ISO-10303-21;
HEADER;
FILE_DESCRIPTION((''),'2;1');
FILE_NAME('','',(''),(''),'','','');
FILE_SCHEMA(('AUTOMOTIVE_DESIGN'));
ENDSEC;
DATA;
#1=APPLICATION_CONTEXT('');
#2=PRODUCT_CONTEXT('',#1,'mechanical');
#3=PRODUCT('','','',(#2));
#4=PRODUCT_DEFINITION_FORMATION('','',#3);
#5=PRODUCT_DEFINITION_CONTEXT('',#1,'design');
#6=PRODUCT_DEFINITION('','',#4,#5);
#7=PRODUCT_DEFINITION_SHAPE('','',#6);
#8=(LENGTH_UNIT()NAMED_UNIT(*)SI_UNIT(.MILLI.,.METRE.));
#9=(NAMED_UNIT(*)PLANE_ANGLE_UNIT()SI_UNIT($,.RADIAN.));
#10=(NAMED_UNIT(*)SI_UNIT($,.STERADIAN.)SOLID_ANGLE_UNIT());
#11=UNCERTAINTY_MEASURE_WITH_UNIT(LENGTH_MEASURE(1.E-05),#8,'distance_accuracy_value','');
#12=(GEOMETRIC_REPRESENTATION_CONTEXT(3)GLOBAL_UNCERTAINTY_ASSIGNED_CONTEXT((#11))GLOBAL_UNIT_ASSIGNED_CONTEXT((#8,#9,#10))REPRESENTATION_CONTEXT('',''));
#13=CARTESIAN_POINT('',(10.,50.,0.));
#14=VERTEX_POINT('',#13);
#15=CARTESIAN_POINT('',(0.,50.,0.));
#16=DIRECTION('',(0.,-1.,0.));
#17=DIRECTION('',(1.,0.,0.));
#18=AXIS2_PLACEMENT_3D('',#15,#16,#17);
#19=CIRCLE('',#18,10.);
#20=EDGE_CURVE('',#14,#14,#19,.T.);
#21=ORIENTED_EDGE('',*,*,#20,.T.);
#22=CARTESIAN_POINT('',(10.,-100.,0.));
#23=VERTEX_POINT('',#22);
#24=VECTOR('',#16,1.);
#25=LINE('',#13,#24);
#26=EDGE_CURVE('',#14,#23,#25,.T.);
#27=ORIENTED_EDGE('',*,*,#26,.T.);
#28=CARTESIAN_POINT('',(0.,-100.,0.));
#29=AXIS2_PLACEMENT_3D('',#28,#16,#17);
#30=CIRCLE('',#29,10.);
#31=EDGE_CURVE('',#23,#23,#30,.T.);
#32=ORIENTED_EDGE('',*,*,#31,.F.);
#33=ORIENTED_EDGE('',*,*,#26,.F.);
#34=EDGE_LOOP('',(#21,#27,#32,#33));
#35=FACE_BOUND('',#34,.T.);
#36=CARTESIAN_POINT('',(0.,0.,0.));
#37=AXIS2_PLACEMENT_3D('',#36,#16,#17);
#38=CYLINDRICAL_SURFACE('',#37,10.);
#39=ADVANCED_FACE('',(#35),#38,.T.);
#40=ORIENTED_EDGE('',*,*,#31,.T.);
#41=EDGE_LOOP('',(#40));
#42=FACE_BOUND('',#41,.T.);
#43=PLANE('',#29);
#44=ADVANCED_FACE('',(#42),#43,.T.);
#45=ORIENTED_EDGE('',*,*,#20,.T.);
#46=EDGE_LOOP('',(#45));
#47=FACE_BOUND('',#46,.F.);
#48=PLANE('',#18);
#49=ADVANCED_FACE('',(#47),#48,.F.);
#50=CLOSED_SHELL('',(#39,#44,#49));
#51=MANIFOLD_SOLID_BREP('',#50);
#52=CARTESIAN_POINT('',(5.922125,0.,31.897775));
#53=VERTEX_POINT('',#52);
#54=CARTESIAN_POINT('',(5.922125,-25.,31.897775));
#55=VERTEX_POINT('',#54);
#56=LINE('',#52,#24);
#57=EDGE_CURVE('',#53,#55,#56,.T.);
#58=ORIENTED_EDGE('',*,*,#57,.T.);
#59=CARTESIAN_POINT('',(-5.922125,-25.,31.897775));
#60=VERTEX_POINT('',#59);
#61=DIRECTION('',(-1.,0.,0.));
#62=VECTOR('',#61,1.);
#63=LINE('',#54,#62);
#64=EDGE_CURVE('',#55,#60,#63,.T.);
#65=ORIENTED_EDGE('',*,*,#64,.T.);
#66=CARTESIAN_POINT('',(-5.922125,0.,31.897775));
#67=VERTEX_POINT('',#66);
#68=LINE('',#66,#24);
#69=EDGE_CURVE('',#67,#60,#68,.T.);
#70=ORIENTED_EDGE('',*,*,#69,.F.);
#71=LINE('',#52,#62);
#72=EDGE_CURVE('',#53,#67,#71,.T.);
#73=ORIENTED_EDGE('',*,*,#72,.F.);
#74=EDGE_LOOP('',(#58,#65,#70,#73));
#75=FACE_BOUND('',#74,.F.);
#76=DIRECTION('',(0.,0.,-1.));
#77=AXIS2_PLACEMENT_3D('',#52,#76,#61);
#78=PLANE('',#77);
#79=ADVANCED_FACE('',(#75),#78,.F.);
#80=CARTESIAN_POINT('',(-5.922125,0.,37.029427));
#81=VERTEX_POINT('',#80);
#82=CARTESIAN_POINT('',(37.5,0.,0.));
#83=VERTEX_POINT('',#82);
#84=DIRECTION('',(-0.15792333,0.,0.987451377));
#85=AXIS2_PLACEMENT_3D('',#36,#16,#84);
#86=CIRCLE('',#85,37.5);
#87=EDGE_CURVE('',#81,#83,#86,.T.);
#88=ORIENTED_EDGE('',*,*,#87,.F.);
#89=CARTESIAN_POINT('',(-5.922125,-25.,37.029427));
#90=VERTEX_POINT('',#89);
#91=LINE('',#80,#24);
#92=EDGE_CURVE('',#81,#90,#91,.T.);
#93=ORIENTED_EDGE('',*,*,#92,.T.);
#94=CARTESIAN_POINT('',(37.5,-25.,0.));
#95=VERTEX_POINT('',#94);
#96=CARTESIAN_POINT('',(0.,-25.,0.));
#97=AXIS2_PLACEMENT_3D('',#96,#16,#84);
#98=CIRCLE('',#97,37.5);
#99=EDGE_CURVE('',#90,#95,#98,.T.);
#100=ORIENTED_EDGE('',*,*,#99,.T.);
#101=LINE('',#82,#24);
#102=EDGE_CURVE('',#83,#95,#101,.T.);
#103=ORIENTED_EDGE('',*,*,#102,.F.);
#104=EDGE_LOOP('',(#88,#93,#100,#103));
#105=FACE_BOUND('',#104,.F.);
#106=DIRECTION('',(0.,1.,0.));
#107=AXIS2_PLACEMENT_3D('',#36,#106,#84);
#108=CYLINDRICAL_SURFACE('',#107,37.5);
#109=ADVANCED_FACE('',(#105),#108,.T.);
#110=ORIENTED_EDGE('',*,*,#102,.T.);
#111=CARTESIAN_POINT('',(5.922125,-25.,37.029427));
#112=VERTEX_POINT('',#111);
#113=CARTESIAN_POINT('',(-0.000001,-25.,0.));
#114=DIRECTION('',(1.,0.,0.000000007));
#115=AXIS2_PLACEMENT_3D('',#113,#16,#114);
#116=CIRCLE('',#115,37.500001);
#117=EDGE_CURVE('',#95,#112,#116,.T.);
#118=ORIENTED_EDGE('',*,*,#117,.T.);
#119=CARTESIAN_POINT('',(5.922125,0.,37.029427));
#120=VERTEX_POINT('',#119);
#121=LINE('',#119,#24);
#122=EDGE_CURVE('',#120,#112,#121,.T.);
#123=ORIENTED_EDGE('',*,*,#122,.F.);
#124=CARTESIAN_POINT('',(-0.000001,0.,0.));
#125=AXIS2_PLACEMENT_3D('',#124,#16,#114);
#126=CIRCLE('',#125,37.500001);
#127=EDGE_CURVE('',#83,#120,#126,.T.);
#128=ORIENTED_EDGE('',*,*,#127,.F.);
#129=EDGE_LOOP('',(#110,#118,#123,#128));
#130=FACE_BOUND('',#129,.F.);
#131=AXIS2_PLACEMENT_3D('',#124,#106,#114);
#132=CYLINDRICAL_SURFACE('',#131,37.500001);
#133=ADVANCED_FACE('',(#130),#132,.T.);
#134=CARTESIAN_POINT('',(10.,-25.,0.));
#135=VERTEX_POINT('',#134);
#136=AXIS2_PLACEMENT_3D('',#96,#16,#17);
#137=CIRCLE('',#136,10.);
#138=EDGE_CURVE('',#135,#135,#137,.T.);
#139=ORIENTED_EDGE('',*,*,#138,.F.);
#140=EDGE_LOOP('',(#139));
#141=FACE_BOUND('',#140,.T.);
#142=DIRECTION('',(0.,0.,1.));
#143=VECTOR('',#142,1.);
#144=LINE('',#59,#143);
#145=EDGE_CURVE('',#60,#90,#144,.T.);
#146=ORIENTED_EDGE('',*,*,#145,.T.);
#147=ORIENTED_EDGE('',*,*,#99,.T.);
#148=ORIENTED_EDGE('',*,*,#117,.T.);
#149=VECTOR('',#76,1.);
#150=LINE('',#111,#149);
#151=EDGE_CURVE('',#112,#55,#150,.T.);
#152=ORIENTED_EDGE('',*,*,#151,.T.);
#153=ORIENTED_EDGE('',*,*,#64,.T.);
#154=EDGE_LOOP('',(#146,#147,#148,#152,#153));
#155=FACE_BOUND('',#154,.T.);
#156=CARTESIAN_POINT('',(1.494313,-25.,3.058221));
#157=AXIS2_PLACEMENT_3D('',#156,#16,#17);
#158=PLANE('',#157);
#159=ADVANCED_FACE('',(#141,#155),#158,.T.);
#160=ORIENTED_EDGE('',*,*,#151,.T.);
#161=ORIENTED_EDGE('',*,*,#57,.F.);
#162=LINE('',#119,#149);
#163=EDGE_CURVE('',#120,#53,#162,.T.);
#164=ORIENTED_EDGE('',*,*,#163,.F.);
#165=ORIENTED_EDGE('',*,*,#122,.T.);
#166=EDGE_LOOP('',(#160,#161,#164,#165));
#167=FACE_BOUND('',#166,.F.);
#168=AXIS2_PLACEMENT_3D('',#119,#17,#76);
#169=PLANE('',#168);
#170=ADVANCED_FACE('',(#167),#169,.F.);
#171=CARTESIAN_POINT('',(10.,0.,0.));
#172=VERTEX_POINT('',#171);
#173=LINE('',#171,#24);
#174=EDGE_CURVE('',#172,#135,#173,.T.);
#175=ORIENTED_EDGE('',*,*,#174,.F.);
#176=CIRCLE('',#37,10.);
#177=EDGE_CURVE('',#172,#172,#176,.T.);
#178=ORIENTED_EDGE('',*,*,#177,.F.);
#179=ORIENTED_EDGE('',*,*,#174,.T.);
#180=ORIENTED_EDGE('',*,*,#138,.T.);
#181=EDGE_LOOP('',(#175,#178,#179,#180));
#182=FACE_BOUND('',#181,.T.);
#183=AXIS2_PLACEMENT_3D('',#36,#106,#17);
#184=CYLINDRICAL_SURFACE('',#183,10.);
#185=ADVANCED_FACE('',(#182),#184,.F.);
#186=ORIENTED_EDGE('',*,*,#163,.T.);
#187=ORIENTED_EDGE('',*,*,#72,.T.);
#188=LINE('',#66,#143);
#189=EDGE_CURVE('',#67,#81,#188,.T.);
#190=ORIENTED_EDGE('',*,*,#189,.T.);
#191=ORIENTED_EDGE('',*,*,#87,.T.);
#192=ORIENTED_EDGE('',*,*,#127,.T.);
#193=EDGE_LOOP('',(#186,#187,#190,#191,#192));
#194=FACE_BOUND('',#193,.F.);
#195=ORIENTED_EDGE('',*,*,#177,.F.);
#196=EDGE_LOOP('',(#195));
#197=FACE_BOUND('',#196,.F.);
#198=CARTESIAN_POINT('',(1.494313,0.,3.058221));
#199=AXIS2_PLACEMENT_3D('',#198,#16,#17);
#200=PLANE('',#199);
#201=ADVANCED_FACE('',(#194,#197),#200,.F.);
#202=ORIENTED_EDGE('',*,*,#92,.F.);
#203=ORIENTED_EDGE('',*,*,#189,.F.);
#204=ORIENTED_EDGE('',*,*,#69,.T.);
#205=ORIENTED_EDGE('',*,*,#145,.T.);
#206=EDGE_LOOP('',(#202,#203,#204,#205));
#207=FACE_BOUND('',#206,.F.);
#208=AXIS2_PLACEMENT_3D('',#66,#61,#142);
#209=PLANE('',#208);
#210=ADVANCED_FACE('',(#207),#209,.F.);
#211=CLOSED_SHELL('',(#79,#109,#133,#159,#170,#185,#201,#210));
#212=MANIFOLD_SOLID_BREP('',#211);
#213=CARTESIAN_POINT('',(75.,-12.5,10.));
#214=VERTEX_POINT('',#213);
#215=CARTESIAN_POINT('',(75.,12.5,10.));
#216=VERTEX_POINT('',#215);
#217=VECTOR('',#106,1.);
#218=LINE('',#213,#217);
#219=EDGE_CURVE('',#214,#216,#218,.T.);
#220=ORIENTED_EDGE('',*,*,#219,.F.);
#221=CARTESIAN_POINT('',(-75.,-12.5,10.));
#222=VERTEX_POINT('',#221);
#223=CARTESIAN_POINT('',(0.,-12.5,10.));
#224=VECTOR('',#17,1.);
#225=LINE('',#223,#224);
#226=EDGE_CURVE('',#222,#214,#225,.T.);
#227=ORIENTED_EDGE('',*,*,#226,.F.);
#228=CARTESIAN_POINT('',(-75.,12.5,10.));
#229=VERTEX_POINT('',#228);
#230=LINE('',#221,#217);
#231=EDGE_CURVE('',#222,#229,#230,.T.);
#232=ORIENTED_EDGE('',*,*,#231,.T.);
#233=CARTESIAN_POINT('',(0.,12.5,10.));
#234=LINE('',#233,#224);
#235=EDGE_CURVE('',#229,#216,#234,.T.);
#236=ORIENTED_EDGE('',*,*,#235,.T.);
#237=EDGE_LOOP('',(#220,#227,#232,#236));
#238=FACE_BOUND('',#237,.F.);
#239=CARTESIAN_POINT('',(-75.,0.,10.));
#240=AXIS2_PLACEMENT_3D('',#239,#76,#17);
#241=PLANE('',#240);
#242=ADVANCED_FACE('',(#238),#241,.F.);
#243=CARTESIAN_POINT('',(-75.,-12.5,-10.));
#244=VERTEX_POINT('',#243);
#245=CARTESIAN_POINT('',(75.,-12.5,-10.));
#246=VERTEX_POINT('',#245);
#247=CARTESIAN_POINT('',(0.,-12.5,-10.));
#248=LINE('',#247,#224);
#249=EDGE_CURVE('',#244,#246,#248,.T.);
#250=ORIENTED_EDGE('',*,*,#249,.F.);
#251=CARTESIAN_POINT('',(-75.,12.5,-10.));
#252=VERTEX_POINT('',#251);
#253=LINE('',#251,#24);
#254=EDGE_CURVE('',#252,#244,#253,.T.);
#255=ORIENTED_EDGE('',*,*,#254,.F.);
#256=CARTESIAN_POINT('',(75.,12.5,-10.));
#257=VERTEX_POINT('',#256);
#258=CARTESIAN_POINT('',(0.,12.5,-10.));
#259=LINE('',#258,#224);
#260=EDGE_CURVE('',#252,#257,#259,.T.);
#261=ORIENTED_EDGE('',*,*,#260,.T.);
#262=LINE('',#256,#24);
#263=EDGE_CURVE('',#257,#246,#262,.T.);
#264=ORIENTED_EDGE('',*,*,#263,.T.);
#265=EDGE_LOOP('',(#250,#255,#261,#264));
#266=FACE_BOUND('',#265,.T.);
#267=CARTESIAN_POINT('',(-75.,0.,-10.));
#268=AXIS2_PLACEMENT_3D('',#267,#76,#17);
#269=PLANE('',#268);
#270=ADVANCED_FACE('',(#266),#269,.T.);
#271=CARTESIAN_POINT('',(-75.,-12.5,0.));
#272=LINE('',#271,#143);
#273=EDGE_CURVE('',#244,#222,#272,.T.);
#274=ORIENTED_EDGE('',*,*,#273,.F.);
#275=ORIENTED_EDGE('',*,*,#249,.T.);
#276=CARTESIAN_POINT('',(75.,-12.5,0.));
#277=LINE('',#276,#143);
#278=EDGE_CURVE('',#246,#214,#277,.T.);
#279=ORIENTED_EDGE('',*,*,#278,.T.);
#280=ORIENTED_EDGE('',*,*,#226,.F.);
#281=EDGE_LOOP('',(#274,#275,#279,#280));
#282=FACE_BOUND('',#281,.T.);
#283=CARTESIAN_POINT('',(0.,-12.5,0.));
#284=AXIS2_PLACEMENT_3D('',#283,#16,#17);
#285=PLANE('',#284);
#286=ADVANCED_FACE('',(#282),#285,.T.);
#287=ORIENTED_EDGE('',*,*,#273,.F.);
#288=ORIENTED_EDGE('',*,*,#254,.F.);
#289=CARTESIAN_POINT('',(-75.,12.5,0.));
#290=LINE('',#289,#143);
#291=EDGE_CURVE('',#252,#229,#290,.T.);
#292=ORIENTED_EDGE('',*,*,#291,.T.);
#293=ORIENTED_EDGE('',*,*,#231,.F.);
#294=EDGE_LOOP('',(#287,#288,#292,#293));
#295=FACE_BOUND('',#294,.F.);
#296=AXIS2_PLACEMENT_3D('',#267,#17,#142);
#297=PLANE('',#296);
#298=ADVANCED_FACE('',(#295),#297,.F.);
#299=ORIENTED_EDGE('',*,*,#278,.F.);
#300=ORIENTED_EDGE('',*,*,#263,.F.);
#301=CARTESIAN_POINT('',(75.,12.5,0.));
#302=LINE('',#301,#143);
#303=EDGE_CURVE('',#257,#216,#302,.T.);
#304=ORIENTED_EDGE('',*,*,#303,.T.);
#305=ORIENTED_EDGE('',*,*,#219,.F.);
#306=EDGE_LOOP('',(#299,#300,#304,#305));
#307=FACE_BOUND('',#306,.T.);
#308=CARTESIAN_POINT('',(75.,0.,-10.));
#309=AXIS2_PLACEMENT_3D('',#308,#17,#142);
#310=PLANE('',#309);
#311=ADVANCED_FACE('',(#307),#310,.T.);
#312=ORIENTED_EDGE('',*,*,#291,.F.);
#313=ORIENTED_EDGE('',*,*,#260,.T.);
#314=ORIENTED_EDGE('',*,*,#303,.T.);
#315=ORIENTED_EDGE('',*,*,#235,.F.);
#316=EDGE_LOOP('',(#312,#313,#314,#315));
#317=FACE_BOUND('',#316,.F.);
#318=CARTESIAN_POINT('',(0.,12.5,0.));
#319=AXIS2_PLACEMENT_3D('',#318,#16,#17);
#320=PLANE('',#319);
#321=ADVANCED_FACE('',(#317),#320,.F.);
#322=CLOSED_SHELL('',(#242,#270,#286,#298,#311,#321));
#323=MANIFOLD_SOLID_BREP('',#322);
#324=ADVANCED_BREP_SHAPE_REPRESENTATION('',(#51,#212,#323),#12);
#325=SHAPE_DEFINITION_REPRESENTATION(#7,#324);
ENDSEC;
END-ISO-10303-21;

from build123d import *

# Parameters (mm, degrees)
F0_R          = 10
F1_DEPTH      = 25
F2_DEPTH      = 100
F2_DEPTH_BACK = 50
F3_W          = 150
F3_H          = 20
F4_DEPTH      = 12.5


with BuildPart() as f1:
    # F0 (on Front) → F1 (new body)
    with BuildSketch(Plane.XZ):
        with BuildLine():
            ThreePointArc((-5.922125, 37.029427), (-24.3328, -28.533574), (37.5, 0))
            ThreePointArc((37.5, 0), (28.533574, 24.3328), (5.922125, 37.029427))
            Line((5.922125, 37.029427), (5.922125, 31.897775))
            Line((5.922125, 31.897775), (-5.922125, 31.897775))
            Line((-5.922125, 31.897775), (-5.922125, 37.029427))
        make_face()
        Circle(F0_R, mode=Mode.SUBTRACT)
    extrude(amount=F1_DEPTH)


with BuildPart() as f2:
    # F0 (on Front) → F2 (new body, two sides)
    with BuildSketch(Plane.XZ) as f2_sk:
        Circle(F0_R)
    extrude(amount=F2_DEPTH)
    extrude(f2_sk.sketch, amount=-F2_DEPTH_BACK)


with BuildPart() as f4:
    # F3 (on Front) → F4 (new body, symmetric)
    with BuildSketch(Plane.XZ):
        Rectangle(F3_W, F3_H)
    extrude(amount=F4_DEPTH, both=True)


solid = Compound([f1.part, f2.part, f4.part])
